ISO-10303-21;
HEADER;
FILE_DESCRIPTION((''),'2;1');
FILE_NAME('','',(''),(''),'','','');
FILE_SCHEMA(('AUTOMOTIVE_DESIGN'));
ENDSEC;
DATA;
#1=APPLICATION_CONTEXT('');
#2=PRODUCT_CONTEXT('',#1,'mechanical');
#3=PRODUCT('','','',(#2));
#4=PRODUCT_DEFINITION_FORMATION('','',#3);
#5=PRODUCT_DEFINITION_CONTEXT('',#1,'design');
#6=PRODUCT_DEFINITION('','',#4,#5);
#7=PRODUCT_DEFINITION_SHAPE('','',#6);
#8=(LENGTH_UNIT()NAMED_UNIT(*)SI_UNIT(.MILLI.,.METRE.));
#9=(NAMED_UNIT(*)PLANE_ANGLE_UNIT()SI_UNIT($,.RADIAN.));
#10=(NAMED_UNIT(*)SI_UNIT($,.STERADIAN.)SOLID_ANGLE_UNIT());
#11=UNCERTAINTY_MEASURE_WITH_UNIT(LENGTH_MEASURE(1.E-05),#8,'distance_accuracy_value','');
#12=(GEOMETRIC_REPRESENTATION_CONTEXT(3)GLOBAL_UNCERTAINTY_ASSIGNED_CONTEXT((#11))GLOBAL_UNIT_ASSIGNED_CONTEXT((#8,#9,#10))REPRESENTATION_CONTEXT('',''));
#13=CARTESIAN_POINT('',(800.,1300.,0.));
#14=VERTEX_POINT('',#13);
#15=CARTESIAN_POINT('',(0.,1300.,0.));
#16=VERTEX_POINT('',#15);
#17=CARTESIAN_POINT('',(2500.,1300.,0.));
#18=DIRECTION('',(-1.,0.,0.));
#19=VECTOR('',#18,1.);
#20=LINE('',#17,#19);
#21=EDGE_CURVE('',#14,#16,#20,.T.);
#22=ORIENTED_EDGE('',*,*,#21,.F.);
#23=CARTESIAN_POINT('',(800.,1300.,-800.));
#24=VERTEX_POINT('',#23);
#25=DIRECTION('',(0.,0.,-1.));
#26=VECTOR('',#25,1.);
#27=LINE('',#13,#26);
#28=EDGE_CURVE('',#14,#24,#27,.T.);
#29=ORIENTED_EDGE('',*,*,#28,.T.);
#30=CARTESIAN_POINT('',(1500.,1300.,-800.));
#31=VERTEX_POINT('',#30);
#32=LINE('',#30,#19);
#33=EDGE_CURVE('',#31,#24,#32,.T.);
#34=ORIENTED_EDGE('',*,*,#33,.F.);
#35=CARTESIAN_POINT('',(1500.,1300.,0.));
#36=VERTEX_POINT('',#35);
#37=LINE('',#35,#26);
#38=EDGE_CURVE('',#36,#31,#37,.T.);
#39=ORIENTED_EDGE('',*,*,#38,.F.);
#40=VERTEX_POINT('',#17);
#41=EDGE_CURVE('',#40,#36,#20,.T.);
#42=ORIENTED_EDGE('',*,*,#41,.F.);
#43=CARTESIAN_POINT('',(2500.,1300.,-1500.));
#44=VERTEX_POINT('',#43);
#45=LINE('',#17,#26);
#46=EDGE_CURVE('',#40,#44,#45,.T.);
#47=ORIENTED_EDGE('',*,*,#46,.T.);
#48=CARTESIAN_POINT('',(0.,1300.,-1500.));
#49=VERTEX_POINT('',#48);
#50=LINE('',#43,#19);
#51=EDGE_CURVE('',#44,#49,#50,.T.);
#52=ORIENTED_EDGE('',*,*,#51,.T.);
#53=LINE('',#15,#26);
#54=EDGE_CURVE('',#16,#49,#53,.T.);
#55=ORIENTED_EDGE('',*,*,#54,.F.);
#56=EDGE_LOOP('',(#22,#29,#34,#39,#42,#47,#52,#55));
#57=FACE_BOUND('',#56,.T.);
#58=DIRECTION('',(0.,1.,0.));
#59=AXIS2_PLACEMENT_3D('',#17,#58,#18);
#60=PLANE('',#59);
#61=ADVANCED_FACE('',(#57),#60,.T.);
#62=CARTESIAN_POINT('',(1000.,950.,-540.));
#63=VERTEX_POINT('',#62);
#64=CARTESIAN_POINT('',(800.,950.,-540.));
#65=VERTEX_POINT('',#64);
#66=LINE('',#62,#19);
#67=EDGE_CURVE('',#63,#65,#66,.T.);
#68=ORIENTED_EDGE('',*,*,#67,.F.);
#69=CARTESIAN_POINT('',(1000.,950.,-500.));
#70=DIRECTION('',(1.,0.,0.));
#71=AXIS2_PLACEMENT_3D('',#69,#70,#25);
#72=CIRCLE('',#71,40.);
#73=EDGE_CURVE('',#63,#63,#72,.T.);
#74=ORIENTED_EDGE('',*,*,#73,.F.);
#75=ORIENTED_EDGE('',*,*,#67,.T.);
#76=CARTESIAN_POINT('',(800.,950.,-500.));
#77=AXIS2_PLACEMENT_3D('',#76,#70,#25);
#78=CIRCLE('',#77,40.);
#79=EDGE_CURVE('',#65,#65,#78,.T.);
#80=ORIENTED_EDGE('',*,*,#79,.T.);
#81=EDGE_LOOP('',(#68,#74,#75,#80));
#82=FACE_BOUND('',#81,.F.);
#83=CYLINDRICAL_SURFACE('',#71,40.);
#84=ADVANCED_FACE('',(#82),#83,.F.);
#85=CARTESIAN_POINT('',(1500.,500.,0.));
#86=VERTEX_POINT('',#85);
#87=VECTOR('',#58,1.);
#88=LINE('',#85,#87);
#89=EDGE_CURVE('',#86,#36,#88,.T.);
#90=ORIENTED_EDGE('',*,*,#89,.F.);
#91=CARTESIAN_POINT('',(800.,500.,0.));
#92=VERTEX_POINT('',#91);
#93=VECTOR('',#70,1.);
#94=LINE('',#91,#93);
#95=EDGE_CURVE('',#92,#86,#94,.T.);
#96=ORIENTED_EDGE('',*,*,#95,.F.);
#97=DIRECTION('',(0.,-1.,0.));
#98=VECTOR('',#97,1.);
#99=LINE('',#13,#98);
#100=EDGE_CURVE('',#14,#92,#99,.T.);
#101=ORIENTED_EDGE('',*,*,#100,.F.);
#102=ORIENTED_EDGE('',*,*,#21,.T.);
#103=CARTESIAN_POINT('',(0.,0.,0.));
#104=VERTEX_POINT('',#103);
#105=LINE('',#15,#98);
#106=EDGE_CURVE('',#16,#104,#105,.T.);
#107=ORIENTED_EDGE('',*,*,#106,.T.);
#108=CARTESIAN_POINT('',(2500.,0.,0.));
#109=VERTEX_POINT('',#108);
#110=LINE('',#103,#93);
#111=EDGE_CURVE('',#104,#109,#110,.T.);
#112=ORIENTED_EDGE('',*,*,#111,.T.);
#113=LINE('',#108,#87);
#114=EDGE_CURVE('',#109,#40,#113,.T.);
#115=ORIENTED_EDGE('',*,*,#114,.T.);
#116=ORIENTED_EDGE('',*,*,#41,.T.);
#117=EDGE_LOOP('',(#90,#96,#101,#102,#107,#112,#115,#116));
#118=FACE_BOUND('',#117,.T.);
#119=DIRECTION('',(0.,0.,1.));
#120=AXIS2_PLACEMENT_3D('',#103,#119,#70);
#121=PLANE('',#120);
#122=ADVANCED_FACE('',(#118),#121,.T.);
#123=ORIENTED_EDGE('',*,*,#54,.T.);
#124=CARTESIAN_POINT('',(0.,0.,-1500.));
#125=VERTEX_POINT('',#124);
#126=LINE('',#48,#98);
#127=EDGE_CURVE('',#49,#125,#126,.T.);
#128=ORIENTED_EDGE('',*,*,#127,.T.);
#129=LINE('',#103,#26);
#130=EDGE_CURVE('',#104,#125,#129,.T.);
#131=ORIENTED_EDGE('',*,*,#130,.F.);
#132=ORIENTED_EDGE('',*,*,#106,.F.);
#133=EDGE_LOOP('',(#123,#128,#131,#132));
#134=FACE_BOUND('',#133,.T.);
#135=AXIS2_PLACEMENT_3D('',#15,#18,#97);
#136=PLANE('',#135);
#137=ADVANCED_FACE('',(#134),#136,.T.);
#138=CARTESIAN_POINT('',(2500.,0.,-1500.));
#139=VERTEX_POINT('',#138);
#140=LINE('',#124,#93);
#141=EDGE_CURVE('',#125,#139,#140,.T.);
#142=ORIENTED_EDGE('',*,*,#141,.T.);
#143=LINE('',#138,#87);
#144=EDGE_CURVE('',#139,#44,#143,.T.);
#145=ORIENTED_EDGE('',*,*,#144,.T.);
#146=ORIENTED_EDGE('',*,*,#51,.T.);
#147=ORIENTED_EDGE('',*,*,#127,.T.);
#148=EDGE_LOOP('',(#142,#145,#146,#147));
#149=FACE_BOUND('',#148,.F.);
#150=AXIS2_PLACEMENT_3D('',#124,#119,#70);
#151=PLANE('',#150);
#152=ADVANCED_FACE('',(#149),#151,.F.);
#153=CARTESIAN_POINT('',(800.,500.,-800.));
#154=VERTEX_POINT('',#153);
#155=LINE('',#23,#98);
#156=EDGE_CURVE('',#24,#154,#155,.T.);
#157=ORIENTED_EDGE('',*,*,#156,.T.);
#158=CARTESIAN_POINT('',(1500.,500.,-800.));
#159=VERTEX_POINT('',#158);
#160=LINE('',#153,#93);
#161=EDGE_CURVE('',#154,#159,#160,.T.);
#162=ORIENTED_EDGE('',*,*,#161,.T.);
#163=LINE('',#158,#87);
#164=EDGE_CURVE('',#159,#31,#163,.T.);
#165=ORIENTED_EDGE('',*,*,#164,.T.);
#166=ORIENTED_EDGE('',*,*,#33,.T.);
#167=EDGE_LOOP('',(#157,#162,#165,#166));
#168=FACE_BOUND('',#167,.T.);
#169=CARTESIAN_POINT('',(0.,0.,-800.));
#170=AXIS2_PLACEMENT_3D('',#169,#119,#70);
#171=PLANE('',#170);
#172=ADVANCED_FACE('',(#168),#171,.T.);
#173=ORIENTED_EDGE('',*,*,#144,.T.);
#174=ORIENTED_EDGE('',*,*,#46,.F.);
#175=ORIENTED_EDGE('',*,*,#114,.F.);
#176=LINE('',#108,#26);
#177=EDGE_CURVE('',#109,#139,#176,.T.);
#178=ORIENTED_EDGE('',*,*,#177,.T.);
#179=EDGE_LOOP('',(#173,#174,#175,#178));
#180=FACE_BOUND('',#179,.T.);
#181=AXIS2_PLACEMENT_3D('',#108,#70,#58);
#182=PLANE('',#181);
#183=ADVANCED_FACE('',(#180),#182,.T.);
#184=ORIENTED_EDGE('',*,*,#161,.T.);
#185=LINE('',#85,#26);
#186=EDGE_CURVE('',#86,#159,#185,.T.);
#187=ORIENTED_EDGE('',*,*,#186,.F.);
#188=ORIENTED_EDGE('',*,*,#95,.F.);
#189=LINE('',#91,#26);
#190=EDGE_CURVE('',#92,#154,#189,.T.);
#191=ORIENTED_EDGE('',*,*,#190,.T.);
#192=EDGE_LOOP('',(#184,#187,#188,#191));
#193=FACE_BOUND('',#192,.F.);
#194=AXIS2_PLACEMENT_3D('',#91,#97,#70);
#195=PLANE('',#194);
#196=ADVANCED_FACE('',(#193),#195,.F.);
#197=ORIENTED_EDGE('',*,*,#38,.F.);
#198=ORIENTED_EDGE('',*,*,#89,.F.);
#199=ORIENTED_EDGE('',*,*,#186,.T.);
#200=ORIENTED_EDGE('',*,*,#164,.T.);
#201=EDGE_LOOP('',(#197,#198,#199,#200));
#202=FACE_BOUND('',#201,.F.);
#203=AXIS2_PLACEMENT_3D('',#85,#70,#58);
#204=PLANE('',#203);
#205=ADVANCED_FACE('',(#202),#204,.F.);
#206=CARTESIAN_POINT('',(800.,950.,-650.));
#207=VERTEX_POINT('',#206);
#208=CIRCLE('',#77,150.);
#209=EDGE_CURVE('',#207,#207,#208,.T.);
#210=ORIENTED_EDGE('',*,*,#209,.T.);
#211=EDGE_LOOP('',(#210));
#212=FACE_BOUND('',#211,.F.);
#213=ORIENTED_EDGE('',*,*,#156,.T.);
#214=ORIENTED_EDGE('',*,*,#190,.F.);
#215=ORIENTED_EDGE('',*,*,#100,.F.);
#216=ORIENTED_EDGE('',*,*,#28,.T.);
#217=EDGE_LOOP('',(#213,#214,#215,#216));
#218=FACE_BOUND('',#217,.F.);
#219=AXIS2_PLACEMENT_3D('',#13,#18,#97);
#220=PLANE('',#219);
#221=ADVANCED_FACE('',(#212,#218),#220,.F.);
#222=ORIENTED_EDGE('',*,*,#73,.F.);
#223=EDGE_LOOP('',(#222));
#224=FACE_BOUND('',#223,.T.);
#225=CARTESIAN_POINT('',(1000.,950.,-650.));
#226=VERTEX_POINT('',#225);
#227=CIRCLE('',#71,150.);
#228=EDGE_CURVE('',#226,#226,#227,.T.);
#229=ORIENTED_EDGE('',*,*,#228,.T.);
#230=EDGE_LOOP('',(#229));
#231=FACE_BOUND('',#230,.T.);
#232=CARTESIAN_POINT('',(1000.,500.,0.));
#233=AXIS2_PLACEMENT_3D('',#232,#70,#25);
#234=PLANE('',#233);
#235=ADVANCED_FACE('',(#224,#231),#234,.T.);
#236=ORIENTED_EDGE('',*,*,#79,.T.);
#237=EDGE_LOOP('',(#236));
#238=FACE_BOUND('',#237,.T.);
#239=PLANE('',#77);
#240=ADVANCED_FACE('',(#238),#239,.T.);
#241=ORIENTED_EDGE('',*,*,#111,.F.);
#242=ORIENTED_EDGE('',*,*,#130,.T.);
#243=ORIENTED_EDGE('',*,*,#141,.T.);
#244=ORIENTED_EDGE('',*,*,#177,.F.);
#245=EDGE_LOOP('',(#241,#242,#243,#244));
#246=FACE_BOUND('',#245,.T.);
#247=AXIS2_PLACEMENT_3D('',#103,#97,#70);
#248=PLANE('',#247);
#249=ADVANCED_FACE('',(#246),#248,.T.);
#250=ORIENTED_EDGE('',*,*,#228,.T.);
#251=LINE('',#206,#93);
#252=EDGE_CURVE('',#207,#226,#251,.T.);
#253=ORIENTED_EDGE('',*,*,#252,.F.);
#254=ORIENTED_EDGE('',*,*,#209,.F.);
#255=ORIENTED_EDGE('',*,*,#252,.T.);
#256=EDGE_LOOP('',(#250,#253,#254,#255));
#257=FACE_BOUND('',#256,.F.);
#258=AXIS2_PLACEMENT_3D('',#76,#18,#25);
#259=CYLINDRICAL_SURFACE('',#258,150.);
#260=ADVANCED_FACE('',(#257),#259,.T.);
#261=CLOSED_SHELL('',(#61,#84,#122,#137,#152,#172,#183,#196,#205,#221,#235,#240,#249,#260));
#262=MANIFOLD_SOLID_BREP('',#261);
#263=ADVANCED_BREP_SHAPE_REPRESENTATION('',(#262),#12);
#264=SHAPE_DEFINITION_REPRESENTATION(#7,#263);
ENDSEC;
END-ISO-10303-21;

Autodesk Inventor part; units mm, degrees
ref_plane "YZ Plane" through (0, 0, 0) normal (1, 0, 0) x (0, 1, 0)
ref_plane "XZ Plane" through (0, 0, 0) normal (0, 1, 0) x (-1, 0, 0)
ref_plane "XY Plane" through (0, 0, 0) normal (0, 0, 1) x (1, 0, 0)
sketch "Boceto1" plane through (0, 0, 0) normal (0, 0, 1) x (1, 0, 0)
  line L0 (0, 0) -> (2500, 0)
  line L1 (2500, 0) -> (2500, 1300)
  line L2 (2500, 1300) -> (0, 1300)
  line L3 (0, 1300) -> (0, 0)
  dimension "d0" = 2500
  dimension "d1" = 1300
extrude "Extrusión1" add sketch "Boceto1" against normal blind 1500
sketch "Boceto2" plane through (0, 0, 0) normal (0, 0, 1) x (1, 0, 0)
  line L0 (800, 1300) -> (800, 500)
  line L1 (800, 500) -> (1500, 500)
  line L2 (1500, 500) -> (1500, 1300)
  line L3 (1500, 1300) -> (800, 1300)
  line L4 (0, 1300) -> (2500, 1300) projected
  point P0 (0, 0)
  dimension "d4" = 800
  dimension "d5" = 800
  dimension "d6" = 700
extrude "Extrusión2" cut sketch "Boceto2" against normal blind 800
sketch "Boceto3" plane through (800, 500, 0) normal (1, 0, 0) x (0, 0, -1)
  circle A0 centre (500, 450) radius 150
  line L0 (0, 0) -> (0, 800) projected
  line L1 (0, 0) -> (800, 0) projected
  point P0 (0, -500)
  dimension "d9" = 300
  dimension "d10" = 500
  dimension "d11" = 450
extrude "Extrusión3" add sketch "Boceto3" along normal blind 200
sketch "Boceto4" plane through (1000, 950, -500) normal (1, 0, 0) x (0, 0, -1)
  circle A0 centre (0, 0) radius 40
  point P0 (-500, -950)
  dimension "d14" = 80
extrude "Extrusión4" cut sketch "Boceto4" against normal blind 200
properties part number "Torno"
